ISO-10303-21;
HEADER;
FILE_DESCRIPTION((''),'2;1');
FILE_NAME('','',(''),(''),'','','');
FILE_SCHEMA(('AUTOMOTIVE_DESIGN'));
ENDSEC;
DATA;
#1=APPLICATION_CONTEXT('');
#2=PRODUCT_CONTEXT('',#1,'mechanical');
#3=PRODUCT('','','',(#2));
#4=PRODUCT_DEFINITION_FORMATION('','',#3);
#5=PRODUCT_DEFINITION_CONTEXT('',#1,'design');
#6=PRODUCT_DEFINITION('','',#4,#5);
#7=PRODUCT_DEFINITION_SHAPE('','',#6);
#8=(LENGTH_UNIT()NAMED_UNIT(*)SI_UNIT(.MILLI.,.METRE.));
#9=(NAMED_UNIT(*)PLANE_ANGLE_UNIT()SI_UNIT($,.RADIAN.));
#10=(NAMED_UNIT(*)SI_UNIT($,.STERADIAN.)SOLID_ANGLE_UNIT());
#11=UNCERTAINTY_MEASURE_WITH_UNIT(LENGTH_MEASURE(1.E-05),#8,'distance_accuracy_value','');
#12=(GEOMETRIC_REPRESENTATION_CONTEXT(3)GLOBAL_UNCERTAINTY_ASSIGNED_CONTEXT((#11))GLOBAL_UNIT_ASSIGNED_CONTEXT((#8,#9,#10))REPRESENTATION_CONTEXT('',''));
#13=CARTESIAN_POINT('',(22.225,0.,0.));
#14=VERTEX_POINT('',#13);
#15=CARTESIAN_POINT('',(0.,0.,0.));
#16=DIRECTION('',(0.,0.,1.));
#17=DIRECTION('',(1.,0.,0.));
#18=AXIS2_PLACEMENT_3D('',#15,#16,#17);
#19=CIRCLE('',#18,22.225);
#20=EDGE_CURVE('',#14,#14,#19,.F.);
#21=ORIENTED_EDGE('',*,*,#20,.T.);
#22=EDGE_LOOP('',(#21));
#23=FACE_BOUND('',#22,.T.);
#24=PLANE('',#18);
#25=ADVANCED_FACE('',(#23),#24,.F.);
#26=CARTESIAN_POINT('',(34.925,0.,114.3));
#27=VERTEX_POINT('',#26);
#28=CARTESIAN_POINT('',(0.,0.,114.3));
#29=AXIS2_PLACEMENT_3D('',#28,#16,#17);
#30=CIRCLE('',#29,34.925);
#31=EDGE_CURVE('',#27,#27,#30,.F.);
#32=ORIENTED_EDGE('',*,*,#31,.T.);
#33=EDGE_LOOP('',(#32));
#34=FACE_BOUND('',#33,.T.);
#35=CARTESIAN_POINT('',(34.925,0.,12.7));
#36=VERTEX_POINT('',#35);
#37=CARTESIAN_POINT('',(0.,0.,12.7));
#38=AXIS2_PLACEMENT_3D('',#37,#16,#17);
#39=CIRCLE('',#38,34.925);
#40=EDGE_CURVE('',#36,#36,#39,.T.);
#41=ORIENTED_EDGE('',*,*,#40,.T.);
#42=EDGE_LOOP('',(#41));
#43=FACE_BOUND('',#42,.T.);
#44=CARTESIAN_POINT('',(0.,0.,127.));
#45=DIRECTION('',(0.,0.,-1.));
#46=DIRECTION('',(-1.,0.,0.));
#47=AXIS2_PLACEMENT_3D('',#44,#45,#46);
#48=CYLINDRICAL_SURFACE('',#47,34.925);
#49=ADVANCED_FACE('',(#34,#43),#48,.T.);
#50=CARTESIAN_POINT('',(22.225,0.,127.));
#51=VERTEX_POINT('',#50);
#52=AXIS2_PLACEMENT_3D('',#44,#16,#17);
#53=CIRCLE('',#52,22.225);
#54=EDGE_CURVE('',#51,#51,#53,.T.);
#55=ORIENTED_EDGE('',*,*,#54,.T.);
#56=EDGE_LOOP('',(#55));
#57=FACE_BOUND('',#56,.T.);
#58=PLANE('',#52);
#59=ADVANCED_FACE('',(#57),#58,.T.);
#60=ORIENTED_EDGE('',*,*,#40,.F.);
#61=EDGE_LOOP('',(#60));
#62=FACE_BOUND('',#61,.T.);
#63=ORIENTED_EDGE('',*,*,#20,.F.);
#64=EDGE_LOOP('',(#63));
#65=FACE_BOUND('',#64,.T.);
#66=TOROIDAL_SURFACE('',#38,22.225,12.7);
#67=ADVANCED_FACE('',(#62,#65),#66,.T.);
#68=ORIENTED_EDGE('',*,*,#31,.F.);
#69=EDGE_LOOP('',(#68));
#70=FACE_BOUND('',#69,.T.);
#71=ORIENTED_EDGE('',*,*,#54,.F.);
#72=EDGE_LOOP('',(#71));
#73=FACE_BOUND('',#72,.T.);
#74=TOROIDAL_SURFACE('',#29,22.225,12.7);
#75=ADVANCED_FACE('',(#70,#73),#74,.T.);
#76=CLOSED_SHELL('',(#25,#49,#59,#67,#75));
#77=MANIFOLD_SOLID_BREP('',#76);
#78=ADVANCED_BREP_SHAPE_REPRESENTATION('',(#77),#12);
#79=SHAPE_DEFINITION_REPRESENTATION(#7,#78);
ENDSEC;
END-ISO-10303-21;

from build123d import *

# Parameters (mm, degrees)
SKETCH1_R           = 34.925
BOSS_EXTRUDE1_DEPTH = 127
FILLET2_R           = 12.7
FILLET3_R           = 12.7


with BuildPart() as part:
    # Sketch1 → Boss-Extrude1 (new body)
    with BuildSketch(Plane.XY):
        Circle(SKETCH1_R)
    extrude(amount=BOSS_EXTRUDE1_DEPTH)

    # Fillet2
    fillet2_edges = [part.edges().sort_by_distance(p)[0] for p in [
        (-34.925, 0, 127),
    ]]
    fillet(fillet2_edges, radius=FILLET2_R)

    # Fillet3
    fillet3_edges = [part.edges().sort_by_distance(p)[0] for p in [
        (-34.925, 0, 0),
    ]]
    fillet(fillet3_edges, radius=FILLET3_R)


solid = part.part
